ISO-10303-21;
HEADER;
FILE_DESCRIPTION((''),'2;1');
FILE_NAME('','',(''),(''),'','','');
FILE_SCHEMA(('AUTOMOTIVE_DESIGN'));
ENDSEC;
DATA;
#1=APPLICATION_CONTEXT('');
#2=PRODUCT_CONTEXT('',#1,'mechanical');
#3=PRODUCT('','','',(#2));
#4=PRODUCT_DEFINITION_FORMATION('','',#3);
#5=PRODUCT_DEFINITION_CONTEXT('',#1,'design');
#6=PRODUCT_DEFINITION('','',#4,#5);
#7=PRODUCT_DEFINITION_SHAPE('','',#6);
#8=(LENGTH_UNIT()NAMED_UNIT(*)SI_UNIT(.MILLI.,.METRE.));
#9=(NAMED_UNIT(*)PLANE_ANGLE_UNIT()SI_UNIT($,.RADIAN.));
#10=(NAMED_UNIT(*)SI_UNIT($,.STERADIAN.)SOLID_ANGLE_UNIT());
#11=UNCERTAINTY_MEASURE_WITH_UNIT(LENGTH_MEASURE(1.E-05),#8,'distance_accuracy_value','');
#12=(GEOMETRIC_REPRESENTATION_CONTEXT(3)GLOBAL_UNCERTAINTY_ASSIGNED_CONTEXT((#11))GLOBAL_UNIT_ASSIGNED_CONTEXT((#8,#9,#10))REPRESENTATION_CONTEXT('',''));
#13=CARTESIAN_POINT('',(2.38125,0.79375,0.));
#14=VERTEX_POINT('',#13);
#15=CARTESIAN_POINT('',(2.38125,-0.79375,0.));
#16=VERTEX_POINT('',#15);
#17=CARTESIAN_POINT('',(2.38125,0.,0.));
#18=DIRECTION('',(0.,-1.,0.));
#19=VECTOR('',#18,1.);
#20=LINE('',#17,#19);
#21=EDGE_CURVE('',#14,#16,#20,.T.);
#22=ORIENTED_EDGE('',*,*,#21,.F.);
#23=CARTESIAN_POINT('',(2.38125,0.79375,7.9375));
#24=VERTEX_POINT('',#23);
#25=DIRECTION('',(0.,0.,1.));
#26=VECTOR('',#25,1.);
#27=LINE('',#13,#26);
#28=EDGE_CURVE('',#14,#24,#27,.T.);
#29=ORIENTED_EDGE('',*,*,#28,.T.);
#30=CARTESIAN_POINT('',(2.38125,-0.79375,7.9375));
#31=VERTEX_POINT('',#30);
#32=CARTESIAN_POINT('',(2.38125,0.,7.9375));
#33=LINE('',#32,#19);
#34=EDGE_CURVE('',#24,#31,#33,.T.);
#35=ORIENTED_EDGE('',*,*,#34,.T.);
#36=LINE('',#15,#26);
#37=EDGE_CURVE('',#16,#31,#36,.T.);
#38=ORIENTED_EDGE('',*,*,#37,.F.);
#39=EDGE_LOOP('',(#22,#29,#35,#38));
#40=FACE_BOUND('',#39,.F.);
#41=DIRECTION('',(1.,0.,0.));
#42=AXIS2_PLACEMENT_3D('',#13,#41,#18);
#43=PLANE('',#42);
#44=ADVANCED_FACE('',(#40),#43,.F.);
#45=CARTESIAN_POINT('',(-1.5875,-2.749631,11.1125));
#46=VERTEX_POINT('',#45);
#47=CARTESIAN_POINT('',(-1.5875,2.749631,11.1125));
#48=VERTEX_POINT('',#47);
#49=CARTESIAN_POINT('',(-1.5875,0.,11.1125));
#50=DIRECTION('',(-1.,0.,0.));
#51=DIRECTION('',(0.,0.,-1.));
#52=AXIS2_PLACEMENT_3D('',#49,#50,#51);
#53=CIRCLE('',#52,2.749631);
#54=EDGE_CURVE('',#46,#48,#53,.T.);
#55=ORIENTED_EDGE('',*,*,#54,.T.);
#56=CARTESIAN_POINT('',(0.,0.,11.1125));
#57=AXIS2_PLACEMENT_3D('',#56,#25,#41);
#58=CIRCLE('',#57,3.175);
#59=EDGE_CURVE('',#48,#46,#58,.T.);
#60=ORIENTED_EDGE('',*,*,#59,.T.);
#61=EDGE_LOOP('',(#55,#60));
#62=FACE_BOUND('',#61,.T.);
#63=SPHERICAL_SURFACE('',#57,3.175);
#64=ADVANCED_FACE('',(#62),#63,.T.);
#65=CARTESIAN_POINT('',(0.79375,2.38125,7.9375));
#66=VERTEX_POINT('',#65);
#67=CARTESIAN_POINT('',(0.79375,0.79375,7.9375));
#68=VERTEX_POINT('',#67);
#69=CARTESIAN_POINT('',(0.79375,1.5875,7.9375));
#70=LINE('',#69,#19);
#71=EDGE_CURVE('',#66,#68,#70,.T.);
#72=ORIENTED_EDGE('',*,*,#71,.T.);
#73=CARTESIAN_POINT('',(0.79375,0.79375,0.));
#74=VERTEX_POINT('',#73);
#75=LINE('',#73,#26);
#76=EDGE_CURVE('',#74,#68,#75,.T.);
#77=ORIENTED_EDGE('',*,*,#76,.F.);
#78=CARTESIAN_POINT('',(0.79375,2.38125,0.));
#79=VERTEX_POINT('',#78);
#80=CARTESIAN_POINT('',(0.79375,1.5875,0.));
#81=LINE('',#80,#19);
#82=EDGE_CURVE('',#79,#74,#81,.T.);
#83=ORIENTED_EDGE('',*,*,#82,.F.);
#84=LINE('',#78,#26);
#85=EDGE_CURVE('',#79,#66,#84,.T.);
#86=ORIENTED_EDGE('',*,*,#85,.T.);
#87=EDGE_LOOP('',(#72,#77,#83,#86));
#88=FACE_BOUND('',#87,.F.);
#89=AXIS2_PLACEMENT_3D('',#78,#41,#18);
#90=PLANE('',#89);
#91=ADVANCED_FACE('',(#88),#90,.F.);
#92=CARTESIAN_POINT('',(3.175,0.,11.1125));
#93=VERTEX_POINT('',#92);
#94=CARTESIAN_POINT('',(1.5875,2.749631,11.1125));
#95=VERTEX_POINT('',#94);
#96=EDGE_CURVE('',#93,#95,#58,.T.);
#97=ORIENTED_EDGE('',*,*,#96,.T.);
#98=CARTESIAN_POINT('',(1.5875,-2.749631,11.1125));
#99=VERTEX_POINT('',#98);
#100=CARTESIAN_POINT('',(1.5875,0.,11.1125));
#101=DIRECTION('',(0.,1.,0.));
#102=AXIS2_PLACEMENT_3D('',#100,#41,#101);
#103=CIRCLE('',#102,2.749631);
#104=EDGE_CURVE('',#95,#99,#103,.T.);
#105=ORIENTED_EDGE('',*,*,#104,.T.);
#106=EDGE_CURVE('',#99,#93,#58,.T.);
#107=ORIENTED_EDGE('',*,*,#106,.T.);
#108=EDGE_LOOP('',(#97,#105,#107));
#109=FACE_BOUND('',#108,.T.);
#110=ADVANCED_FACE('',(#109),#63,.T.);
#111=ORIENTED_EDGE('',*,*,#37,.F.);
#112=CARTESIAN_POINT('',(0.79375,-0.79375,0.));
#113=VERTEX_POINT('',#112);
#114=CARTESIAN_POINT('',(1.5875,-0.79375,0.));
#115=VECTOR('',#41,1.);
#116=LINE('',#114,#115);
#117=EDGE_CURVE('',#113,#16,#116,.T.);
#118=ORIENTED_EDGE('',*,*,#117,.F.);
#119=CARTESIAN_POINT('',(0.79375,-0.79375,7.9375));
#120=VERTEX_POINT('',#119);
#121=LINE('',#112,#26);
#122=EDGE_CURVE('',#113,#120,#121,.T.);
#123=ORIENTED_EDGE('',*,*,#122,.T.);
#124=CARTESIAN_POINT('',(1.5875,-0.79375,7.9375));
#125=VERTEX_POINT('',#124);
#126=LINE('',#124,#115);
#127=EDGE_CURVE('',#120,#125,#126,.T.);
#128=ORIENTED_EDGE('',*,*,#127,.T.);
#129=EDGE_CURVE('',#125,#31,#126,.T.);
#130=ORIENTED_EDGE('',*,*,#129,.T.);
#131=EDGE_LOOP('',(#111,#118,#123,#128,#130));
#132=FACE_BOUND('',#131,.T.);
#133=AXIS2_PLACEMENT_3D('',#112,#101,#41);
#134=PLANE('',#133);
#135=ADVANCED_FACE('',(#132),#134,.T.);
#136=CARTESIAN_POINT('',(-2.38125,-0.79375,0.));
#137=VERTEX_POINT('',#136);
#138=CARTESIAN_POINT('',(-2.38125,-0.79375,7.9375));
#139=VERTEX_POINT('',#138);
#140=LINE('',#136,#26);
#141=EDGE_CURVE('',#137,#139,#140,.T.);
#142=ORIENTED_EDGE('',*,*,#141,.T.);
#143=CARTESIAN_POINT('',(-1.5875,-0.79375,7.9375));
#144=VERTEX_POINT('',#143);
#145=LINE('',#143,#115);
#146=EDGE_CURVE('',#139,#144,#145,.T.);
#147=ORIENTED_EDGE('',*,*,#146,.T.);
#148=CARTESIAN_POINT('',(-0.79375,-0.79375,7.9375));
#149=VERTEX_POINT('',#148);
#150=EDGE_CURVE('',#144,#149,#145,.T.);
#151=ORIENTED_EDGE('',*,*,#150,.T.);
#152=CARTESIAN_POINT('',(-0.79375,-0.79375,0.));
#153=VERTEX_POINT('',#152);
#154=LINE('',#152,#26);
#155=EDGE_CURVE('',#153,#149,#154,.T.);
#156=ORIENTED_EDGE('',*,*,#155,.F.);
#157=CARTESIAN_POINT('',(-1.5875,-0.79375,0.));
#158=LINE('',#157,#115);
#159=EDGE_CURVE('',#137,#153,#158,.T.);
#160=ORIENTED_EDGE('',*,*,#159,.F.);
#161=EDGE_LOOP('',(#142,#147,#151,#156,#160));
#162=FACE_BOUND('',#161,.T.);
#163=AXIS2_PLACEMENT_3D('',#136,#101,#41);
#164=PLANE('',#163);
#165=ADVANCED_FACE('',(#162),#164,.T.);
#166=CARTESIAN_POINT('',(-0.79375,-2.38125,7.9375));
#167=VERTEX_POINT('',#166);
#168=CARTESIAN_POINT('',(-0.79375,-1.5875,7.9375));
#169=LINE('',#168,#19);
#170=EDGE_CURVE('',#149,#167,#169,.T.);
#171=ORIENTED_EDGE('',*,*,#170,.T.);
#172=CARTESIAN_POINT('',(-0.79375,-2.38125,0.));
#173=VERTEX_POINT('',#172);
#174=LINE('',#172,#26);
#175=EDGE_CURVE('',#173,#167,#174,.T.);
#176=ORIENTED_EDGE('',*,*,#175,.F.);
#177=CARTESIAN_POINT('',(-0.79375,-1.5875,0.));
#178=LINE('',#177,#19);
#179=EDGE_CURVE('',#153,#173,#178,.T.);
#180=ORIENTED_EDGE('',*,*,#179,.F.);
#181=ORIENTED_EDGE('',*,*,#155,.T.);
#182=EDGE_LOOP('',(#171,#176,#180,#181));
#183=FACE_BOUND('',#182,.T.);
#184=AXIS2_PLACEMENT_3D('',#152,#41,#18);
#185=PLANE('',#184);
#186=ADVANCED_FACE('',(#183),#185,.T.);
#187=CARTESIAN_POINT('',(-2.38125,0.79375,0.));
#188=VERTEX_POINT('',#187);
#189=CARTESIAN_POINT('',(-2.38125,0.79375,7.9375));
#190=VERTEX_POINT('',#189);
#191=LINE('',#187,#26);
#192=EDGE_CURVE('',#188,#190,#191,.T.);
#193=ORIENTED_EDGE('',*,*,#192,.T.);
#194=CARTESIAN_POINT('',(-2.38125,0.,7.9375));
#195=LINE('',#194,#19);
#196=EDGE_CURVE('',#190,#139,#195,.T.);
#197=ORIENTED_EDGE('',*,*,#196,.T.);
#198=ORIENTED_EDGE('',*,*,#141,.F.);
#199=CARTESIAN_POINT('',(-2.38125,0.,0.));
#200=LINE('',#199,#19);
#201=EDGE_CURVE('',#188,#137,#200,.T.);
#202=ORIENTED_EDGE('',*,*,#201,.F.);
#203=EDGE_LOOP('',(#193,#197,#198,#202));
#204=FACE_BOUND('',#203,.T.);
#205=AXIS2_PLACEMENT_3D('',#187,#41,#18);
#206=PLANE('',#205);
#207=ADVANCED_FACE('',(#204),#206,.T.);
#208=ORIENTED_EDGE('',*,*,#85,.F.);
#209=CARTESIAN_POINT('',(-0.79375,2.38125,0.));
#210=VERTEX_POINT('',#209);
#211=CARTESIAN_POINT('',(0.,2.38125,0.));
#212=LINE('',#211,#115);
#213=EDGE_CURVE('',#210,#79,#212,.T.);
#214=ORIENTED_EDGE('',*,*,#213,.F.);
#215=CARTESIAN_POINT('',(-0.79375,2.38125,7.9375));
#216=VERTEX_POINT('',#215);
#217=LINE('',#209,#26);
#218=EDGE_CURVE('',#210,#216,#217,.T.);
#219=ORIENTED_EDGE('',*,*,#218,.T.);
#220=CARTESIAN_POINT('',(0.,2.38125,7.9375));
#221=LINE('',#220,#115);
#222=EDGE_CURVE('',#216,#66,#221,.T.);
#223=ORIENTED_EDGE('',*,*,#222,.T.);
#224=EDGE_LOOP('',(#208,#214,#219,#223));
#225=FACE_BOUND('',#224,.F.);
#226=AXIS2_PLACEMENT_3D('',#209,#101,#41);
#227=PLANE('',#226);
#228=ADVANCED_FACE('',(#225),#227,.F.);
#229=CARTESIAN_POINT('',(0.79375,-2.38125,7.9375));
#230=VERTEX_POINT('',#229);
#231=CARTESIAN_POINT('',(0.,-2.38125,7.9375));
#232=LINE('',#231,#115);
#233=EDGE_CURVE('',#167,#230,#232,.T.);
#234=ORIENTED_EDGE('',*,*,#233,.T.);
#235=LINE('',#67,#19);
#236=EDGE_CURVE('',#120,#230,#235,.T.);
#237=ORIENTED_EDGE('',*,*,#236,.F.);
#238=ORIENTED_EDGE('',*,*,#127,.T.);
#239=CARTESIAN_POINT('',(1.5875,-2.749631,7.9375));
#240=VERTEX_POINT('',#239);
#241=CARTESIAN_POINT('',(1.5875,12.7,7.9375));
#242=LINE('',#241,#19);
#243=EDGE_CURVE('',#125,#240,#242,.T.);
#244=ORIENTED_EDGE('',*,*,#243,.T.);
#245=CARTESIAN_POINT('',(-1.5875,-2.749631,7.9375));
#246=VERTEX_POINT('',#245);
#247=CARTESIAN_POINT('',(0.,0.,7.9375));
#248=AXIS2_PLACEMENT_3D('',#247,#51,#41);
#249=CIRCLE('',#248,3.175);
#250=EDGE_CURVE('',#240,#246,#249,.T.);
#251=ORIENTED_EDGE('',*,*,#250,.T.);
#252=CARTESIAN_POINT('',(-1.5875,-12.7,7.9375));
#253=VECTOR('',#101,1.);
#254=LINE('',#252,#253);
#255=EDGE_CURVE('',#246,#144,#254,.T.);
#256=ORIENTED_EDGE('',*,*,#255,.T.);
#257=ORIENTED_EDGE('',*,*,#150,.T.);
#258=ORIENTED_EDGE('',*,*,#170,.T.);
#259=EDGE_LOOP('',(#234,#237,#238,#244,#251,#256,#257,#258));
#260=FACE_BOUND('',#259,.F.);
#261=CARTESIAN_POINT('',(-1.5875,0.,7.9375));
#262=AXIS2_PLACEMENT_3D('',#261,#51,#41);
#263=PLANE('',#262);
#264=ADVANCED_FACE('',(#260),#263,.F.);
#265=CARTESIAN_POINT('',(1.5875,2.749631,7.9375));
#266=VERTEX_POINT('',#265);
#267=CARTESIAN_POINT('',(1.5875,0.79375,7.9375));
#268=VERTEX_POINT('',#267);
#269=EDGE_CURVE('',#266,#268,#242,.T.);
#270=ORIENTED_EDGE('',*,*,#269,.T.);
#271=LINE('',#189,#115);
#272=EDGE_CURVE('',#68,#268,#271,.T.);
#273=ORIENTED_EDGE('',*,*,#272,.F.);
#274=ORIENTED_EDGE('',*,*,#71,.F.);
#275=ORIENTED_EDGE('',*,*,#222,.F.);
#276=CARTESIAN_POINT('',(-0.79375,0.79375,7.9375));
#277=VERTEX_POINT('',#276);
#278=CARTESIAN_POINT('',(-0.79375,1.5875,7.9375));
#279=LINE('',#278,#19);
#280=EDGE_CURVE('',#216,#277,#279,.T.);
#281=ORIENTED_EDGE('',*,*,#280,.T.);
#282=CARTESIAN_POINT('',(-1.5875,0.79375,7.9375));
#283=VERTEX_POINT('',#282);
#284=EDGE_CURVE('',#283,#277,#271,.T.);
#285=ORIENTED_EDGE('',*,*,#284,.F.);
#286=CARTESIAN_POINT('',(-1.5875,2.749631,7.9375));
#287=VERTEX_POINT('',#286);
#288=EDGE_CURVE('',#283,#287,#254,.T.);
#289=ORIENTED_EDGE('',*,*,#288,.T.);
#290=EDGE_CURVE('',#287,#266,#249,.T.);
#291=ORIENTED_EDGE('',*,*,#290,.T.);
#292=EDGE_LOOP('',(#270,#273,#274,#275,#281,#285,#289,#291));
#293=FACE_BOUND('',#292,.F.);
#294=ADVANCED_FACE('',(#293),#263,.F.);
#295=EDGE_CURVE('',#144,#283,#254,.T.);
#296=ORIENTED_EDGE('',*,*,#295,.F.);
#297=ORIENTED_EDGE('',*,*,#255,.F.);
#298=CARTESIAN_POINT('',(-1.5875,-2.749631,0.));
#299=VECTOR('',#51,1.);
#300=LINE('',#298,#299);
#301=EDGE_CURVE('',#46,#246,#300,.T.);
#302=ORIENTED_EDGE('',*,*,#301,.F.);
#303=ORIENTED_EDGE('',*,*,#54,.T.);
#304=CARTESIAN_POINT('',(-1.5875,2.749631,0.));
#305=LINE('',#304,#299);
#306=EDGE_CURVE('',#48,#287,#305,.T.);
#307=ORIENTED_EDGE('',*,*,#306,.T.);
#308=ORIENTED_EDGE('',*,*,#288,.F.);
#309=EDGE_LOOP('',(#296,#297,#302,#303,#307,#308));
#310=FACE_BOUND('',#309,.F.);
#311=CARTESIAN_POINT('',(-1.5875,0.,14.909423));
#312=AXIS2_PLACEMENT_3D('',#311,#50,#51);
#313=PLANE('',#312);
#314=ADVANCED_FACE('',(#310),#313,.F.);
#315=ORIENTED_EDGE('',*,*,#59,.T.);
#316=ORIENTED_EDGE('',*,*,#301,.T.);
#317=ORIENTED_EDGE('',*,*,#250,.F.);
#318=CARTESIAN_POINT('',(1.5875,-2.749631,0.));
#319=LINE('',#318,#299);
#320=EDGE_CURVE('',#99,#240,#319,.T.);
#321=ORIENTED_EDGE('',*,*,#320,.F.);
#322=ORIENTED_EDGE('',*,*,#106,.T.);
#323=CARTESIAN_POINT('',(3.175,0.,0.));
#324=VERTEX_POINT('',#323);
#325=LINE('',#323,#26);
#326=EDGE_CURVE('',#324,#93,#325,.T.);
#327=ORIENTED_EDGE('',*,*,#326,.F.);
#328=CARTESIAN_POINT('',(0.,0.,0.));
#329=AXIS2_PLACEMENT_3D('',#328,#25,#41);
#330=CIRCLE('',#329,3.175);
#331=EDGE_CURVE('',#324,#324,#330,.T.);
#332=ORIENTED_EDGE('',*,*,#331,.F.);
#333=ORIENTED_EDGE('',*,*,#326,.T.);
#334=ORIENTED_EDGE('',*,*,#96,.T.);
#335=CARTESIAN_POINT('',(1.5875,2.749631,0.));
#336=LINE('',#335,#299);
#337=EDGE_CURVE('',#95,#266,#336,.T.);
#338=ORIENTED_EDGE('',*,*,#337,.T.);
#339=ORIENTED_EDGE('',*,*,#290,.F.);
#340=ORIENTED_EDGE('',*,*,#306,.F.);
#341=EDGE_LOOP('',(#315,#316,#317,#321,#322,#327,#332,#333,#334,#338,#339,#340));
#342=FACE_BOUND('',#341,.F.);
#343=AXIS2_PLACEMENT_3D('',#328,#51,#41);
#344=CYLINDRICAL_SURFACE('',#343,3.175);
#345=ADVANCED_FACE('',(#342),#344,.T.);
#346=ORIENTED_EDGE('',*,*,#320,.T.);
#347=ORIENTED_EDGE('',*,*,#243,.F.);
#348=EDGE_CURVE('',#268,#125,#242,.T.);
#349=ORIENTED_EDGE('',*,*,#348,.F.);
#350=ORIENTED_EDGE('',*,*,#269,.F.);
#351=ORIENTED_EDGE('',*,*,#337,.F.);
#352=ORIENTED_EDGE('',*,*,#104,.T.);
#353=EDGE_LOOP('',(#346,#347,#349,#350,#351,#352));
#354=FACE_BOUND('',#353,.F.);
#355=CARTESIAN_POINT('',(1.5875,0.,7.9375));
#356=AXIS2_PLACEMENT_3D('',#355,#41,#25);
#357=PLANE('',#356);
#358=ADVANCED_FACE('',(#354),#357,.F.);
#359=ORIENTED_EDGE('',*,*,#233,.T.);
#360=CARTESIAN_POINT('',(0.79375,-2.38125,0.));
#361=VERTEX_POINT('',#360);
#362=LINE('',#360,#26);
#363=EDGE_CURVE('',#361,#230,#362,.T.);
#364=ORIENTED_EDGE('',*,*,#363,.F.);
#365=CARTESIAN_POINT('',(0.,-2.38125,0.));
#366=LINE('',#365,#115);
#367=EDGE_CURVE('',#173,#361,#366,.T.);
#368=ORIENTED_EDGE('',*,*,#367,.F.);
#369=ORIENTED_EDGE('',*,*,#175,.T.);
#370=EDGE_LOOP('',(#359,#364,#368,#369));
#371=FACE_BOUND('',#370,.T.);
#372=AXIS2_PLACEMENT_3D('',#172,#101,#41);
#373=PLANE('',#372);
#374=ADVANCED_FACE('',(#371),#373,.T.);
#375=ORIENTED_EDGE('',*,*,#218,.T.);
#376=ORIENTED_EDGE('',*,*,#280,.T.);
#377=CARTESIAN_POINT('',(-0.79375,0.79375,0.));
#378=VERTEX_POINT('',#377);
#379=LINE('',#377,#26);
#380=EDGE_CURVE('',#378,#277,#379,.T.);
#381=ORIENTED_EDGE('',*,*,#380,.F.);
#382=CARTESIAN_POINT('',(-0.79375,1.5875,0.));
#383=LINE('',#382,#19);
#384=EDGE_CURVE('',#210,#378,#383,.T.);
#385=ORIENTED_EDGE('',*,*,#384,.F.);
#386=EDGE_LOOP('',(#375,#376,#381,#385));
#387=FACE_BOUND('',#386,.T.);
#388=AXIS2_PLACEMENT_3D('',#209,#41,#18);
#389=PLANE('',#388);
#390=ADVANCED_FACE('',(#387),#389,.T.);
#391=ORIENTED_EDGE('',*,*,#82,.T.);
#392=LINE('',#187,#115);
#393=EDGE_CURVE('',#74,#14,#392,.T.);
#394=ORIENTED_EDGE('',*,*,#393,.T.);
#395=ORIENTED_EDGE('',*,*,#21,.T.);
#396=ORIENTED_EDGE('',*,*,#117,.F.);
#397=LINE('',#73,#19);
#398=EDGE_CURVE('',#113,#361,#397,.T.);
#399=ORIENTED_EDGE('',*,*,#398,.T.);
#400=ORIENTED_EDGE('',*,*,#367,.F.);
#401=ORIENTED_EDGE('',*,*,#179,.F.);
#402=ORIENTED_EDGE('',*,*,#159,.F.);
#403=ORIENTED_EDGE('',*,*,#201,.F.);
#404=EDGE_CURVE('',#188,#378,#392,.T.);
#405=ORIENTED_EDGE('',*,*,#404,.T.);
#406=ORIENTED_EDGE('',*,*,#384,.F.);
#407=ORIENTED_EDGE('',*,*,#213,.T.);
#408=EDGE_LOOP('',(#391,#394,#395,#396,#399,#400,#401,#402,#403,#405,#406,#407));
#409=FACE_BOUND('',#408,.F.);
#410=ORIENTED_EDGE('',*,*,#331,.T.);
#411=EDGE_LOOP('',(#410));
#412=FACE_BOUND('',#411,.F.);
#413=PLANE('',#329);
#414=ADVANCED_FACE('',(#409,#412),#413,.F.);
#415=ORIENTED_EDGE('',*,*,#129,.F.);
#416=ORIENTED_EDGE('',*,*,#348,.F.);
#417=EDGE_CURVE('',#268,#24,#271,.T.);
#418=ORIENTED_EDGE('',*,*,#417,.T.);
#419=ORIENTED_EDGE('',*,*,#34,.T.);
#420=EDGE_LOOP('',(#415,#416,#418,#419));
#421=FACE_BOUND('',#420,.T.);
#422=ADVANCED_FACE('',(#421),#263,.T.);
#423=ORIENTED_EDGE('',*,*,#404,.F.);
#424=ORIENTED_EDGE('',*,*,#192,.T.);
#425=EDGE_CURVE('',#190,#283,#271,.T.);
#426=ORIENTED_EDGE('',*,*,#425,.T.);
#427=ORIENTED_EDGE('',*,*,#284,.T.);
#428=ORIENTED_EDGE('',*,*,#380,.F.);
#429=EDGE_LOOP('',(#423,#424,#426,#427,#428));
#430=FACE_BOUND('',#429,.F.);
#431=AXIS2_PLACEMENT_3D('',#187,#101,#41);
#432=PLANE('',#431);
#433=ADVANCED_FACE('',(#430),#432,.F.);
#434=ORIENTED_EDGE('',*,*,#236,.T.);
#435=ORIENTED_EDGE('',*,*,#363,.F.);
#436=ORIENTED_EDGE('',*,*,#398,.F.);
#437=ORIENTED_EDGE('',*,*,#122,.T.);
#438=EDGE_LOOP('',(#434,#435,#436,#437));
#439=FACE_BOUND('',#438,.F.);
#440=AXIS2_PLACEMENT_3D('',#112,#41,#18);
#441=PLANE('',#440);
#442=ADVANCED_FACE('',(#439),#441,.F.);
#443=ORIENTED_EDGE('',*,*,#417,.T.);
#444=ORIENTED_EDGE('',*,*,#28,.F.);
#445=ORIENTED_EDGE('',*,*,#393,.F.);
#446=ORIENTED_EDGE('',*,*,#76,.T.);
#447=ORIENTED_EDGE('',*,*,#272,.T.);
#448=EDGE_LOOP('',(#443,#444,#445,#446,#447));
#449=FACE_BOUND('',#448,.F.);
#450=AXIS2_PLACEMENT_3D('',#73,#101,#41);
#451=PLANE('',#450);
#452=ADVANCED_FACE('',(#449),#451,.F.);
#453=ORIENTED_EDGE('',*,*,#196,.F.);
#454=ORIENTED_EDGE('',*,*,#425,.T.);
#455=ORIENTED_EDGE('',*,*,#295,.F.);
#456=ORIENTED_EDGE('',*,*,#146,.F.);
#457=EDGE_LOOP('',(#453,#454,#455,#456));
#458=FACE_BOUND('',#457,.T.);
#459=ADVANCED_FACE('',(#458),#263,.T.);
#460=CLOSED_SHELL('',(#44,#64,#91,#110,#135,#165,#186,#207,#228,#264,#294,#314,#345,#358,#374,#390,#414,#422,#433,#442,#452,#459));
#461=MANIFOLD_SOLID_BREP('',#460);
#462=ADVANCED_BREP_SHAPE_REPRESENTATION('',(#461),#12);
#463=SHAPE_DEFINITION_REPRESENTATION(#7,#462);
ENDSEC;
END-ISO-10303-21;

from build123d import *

# Parameters (mm, degrees)
F0_R     = 3.175
F1_DEPTH = 14.2875
F2_R     = 3.175
F4_DEPTH = 12.7
F5_W     = 1.5875
F5_H     = 1.5875
F6_DEPTH = 7.9375


with BuildPart() as f1:
    # F0 (on Top) → F1 (new body)
    with BuildSketch(Plane.XY):
        Circle(F0_R)
    extrude(amount=F1_DEPTH)

    # F2
    f2_edges = [f1.edges().sort_by_distance(p)[0] for p in [
        (-3.175, 0, 14.2875),
    ]]
    fillet(f2_edges, radius=F2_R)

    # F3 (on Front) → F4 (cut, symmetric)
    with BuildSketch(Plane.XZ):
        Polygon((-1.5875, 7.9375), (0, 7.9375), (1.5875, 7.9375), (1.5875, 14.9094229564), (-1.5875, 14.9094229564), align=None)
    extrude(amount=F4_DEPTH, both=True, mode=Mode.SUBTRACT)

    # F5 (on face) → F6 (cut)
    with BuildSketch(Plane(origin=(0, 0, 0), x_dir=(1, 0, 0), z_dir=(0, 0, -1))):
        with Locations((-1.5875, 0)):
            Rectangle(F5_W, F5_H)
        with Locations((0, 1.5875)):
            Rectangle(F5_W, F5_H)
        Rectangle(F5_W, F5_H)
        with Locations((1.5875, 0)):
            Rectangle(F5_W, F5_H)
        with Locations((0, -1.5875)):
            Rectangle(F5_W, F5_H)
    extrude(amount=-F6_DEPTH, mode=Mode.SUBTRACT)


solid = f1.part
